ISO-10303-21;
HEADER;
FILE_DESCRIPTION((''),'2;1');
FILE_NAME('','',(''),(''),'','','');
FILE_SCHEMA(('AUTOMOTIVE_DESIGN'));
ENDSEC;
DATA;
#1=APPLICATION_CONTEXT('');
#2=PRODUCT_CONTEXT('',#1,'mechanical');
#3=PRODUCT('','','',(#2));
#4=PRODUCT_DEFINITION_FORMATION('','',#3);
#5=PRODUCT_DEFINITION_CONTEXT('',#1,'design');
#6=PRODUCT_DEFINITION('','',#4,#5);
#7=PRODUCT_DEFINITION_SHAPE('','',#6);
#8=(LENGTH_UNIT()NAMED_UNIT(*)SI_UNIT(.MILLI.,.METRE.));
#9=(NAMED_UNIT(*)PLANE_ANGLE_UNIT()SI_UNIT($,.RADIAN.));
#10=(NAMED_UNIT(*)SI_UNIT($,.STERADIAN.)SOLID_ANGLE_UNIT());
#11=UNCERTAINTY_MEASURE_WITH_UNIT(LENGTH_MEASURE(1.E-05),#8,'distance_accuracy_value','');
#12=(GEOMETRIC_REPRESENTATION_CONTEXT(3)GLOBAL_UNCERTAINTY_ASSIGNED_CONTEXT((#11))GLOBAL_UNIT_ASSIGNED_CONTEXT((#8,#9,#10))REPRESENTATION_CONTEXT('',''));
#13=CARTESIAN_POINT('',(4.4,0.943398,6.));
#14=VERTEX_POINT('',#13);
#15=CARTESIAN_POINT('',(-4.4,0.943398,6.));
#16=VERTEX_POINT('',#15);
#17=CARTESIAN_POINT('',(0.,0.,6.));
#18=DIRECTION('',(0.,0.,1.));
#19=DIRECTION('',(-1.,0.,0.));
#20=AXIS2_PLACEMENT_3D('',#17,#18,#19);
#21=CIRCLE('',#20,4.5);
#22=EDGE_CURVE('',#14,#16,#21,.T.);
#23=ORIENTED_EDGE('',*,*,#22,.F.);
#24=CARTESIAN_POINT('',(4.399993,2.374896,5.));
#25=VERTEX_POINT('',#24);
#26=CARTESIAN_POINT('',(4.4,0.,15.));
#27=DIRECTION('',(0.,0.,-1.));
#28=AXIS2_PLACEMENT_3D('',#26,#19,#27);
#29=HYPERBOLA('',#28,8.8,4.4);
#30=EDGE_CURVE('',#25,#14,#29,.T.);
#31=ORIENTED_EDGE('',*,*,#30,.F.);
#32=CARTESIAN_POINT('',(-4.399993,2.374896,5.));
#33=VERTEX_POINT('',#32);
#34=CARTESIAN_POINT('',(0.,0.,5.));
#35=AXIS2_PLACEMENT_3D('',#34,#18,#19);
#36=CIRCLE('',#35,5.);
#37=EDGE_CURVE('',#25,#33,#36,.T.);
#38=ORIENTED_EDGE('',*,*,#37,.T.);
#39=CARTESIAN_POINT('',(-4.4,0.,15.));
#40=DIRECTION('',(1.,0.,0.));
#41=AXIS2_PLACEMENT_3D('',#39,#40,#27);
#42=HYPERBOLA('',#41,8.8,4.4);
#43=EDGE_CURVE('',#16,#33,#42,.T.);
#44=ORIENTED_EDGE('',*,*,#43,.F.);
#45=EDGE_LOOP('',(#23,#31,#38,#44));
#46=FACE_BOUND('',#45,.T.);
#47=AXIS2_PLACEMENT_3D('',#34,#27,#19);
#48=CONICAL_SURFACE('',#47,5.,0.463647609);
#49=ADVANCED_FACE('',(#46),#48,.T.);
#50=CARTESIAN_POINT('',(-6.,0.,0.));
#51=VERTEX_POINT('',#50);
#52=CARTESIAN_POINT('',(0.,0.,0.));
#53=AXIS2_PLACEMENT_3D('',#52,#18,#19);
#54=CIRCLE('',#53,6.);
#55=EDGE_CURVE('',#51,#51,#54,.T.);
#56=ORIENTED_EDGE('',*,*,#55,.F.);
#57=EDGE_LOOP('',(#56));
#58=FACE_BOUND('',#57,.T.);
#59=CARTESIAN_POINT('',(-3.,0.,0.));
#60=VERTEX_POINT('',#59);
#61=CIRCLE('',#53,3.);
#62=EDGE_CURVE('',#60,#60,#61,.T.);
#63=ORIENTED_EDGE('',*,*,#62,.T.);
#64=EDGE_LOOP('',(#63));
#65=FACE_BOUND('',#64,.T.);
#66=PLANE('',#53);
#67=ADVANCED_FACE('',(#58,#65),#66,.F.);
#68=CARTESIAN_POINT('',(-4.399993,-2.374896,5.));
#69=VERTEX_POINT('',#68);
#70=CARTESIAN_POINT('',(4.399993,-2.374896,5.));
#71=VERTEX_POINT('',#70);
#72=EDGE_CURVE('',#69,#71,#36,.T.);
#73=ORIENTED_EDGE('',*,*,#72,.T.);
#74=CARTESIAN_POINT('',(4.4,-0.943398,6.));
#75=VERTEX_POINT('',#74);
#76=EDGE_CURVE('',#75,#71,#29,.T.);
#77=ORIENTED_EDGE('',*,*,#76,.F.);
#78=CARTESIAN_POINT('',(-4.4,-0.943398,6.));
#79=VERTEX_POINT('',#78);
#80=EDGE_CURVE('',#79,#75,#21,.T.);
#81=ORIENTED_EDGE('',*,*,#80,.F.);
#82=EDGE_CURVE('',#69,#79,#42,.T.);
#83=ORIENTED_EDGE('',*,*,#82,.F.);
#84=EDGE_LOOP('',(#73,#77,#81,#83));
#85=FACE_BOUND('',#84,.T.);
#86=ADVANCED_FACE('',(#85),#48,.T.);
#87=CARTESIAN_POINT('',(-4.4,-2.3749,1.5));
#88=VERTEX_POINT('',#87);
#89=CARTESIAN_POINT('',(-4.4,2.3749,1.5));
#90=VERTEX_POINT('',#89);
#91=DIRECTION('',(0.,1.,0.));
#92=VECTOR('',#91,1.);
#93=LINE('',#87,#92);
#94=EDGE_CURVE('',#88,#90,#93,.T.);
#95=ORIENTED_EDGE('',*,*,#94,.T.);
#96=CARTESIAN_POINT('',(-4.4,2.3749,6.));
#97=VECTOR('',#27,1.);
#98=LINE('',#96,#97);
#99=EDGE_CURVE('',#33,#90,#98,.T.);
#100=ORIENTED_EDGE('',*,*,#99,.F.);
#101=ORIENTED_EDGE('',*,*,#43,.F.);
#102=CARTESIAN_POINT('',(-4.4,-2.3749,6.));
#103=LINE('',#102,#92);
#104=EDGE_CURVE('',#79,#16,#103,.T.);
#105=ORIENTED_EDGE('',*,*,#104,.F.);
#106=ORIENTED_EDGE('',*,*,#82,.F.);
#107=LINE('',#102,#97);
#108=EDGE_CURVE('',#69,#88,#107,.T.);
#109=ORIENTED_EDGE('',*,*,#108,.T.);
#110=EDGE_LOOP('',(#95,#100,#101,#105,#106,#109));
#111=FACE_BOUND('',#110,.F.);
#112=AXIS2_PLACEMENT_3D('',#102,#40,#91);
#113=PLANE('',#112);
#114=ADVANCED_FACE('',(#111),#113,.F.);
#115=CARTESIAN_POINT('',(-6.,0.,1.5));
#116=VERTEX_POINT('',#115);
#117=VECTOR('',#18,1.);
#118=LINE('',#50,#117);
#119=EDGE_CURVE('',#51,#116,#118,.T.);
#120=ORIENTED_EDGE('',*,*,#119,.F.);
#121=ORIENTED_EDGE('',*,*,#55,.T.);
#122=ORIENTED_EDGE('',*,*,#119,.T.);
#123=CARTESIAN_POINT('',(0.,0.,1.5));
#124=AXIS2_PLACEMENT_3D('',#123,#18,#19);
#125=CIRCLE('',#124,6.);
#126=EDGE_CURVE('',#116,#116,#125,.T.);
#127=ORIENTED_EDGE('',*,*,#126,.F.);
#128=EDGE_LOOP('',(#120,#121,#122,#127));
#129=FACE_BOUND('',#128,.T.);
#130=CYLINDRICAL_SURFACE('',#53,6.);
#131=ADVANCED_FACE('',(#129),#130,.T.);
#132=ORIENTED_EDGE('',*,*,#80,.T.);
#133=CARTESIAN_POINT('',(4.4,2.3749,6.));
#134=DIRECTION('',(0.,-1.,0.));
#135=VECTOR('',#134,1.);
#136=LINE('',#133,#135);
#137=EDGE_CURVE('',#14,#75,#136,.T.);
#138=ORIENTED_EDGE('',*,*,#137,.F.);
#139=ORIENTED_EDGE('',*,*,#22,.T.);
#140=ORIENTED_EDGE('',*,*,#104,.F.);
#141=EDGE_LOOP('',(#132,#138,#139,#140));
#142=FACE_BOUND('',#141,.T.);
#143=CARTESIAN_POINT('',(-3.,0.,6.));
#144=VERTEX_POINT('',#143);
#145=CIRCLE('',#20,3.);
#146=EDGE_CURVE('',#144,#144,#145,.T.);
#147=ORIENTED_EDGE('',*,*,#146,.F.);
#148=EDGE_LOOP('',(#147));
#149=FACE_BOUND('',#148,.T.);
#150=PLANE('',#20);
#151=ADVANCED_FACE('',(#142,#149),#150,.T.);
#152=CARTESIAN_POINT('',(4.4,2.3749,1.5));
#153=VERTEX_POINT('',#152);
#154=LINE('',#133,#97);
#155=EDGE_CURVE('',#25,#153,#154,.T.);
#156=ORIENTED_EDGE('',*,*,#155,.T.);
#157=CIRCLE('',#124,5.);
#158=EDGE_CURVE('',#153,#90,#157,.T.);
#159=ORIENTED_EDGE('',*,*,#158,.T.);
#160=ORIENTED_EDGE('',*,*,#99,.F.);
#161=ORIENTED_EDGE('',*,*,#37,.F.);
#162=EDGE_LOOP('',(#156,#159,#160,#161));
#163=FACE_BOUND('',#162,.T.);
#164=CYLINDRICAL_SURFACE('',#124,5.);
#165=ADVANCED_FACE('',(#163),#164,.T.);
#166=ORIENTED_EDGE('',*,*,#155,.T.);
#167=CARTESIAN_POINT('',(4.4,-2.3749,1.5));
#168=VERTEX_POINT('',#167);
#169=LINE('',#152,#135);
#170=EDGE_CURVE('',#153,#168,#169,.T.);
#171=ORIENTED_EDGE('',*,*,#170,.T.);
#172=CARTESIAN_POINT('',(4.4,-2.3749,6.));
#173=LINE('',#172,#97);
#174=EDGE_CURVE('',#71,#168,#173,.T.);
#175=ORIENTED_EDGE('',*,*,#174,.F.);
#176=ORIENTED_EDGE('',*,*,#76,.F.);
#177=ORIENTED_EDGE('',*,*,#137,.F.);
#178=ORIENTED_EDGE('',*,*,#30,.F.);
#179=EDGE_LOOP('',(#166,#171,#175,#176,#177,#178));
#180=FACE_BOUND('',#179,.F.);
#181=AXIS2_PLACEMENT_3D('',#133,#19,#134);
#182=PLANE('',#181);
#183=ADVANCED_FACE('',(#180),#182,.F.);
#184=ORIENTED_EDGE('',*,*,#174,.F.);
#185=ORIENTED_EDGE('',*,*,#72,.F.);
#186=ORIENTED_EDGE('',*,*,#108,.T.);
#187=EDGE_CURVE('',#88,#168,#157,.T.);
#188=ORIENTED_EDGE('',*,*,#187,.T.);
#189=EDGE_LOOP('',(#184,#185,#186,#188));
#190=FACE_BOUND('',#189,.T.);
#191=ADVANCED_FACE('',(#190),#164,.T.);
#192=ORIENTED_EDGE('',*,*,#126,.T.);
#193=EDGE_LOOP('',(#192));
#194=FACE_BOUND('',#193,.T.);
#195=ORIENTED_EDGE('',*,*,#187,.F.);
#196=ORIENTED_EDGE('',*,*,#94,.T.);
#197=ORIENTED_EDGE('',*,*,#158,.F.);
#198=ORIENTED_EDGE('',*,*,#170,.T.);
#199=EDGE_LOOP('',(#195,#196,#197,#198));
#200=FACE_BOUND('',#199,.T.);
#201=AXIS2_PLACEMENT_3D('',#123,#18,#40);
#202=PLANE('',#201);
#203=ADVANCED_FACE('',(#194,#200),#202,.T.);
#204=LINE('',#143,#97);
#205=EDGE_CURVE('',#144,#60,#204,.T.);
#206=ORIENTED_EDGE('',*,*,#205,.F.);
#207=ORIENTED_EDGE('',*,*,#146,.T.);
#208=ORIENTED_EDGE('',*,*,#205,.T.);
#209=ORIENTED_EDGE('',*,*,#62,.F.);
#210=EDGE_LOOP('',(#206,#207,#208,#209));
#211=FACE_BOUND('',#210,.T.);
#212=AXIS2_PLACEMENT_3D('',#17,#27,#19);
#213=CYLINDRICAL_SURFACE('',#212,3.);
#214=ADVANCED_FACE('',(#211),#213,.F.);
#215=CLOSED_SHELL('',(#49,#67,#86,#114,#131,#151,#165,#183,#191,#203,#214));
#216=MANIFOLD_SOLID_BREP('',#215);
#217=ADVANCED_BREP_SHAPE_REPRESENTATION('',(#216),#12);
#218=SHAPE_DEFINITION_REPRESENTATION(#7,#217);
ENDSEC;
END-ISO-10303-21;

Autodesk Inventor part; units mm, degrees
ref_plane "YZ Plane" through (0, 0, 0) normal (1, 0, 0) x (0, 1, 0)
ref_plane "XZ Plane" through (0, 0, 0) normal (0, 1, 0) x (-1, 0, 0)
ref_plane "XY Plane" through (0, 0, 0) normal (0, 0, 1) x (1, 0, 0)
sketch "スケッチ1" plane through (0, 0, 0) normal (0, 1, 0) x (-1, 0, 0)
  line L0 (3, 0) -> (6, 0)
  line L1 (6, 0) -> (6, 1.5)
  line L2 (6, 1.5) -> (5, 1.5)
  line L3 (5, 1.5) -> (5, 5)
  line L4 (4.5, 6) -> (3, 6)
  line L5 (3, 6) -> (3, 0)
  line L6 (5, 5) -> (4.5, 6)
  line L7 (0, -1.2) -> (0, 7.2) projected
  point P0 (0, 0)
  point P1 (3, 6)
  dimension "d5" = 1.5
  dimension "d9" = 1
  dimension "d10" = 0.5
  dimension "d17" = 10
  dimension "d18" = 12
  dimension "d19" = 6
  dimension "d20" = 6
revolve "回転1" add sketch "スケッチ1" angle 360 about axis through (0, 0, -10) along (0, 0, 1)
sketch "スケッチ2" plane through (0, 0, 6) normal (0, 0, 1) x (1, 0, 0)
  line L0 (4.4, -2.3749) -> (-4.4, -2.3749)
  line L1 (-4.4, -2.3749) -> (-4.4, 2.3749)
  line L2 (-4.4, 2.3749) -> (4.4, 2.3749)
  line L3 (4.4, 2.3749) -> (4.4, -2.3749)
  line L4 (4.4, -2.3749) -> (-4.4, 2.3749) construction
  line L5 (-4.4, -2.3749) -> (4.4, 2.3749) construction
  circle A0 centre (0, 0) radius 5
  point P0 (0, 0)
  dimension "d12" = 10
  dimension "d11" = 8.8
extrude "押し出し1" cut sketch "スケッチ2" against normal up to surface (4.5 mm away) contours L3 A0 | A0 L1
properties part number "LED-0606" material "アセタール樹脂、黒"
